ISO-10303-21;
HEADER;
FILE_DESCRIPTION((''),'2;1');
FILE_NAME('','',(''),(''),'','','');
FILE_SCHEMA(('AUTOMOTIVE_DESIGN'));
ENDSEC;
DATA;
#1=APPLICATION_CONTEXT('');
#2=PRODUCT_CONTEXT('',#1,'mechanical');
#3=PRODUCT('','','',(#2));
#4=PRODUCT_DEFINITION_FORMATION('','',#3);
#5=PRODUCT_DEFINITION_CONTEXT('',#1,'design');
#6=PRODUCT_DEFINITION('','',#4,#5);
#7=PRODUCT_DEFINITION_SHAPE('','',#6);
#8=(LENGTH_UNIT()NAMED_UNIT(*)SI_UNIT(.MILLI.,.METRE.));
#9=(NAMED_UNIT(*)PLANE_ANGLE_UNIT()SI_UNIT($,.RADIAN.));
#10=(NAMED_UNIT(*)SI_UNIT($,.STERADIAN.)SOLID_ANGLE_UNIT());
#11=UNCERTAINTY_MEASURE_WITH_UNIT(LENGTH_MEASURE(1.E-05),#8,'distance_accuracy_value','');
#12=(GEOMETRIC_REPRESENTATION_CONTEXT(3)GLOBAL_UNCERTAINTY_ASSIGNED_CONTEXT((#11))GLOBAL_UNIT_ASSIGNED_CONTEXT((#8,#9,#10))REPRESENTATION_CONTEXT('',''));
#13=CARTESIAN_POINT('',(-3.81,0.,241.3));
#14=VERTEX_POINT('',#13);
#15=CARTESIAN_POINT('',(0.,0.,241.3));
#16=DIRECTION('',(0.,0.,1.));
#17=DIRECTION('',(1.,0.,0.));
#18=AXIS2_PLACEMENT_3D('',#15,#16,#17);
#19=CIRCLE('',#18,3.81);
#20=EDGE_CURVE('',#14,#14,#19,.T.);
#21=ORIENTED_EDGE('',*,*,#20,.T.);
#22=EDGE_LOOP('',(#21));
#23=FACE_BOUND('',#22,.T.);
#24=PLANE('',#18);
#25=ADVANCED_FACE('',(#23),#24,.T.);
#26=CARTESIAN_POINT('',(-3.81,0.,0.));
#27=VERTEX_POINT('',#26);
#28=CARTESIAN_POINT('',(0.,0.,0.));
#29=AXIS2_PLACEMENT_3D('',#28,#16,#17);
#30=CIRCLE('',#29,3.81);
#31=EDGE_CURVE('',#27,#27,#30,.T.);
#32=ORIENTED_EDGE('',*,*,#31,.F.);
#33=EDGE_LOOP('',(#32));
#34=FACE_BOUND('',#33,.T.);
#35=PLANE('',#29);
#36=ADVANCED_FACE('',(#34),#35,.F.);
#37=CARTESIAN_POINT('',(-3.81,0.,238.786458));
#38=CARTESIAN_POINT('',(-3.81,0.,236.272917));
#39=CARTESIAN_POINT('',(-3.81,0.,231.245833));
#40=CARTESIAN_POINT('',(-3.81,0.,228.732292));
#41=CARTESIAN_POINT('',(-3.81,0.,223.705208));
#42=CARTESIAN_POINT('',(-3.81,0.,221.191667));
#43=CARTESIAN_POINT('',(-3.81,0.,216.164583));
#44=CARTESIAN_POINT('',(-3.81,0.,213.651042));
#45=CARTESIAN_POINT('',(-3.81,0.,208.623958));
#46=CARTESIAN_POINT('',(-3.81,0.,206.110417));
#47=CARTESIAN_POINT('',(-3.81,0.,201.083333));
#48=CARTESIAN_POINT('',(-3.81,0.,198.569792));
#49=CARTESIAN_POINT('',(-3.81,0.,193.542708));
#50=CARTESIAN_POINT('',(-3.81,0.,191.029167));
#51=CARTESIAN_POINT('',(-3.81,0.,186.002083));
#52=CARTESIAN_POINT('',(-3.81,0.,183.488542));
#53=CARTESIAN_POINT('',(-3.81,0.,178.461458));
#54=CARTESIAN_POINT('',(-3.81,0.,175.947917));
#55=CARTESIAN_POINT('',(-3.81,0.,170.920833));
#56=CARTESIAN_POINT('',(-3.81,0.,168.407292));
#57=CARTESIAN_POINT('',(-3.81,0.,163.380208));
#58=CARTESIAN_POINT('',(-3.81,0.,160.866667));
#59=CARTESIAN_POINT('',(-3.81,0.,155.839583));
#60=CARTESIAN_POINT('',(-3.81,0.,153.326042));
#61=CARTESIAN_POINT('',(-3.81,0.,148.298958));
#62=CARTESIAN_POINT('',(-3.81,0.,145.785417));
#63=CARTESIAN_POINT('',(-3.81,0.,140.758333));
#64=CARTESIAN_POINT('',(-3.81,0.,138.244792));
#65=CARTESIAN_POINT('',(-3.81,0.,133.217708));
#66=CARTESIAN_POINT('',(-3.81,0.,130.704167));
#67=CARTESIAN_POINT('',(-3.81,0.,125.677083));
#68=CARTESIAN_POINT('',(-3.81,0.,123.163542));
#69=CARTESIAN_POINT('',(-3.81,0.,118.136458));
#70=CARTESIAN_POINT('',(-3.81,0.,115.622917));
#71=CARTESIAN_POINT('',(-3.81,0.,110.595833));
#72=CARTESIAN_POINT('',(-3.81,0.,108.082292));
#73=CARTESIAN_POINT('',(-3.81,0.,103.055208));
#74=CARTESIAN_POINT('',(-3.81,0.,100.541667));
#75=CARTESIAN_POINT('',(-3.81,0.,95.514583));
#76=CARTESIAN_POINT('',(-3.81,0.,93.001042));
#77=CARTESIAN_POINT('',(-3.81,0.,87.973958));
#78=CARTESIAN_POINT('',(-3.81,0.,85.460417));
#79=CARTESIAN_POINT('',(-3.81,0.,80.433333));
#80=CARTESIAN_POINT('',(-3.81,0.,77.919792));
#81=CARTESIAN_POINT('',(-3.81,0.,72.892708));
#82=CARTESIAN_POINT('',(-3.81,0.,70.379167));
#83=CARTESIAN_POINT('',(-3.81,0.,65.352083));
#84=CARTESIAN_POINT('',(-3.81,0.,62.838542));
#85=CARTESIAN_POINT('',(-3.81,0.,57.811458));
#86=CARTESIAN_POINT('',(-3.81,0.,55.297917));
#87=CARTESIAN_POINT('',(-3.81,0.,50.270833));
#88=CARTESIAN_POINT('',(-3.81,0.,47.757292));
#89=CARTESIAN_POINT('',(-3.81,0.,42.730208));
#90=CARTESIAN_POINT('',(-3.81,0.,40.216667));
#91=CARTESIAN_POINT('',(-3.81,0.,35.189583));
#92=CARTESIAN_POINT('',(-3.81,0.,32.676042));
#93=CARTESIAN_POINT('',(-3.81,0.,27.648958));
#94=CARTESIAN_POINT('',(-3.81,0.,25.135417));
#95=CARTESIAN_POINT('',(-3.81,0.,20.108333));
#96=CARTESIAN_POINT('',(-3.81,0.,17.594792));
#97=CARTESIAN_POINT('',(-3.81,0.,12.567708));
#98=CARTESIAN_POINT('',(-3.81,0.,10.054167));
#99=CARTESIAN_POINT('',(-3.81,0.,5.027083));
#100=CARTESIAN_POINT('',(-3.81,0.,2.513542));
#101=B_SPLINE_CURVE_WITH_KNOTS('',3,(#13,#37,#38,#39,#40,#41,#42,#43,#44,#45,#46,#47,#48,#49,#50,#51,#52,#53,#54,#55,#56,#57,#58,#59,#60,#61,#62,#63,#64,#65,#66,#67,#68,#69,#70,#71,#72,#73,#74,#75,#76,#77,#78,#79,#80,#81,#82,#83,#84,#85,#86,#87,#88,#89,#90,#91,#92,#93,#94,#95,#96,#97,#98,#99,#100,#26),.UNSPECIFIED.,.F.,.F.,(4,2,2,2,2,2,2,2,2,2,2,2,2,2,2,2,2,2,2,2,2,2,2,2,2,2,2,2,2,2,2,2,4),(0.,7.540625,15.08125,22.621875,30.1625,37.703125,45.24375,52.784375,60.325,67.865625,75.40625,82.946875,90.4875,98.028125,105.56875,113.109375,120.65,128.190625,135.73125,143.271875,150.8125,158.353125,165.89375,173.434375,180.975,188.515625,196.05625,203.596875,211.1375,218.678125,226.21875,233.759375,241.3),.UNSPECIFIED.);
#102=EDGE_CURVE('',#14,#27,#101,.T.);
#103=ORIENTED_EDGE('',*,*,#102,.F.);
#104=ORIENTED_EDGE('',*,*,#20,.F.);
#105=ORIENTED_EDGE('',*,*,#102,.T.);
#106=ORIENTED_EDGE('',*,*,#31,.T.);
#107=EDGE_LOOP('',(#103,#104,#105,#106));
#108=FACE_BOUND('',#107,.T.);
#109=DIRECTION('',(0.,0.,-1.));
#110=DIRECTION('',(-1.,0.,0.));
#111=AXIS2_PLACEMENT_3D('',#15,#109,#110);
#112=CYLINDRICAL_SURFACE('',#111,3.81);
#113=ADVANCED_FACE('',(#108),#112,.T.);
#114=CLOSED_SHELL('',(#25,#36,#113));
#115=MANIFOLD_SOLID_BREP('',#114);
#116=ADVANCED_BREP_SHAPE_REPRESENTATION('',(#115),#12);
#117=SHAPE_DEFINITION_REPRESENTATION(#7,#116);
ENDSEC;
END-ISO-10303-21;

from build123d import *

# Parameters (mm, degrees)
SKETCH1_R           = 3.81
BOSS_EXTRUDE1_DEPTH = 241.3


with BuildPart() as part:
    # Sketch1 → Boss-Extrude1 (new body)
    with BuildSketch(Plane.XY):
        with Locations(Location((0, 0, 0), (0, 0, 180))):
            Circle(SKETCH1_R)
    extrude(amount=BOSS_EXTRUDE1_DEPTH)


solid = part.part
